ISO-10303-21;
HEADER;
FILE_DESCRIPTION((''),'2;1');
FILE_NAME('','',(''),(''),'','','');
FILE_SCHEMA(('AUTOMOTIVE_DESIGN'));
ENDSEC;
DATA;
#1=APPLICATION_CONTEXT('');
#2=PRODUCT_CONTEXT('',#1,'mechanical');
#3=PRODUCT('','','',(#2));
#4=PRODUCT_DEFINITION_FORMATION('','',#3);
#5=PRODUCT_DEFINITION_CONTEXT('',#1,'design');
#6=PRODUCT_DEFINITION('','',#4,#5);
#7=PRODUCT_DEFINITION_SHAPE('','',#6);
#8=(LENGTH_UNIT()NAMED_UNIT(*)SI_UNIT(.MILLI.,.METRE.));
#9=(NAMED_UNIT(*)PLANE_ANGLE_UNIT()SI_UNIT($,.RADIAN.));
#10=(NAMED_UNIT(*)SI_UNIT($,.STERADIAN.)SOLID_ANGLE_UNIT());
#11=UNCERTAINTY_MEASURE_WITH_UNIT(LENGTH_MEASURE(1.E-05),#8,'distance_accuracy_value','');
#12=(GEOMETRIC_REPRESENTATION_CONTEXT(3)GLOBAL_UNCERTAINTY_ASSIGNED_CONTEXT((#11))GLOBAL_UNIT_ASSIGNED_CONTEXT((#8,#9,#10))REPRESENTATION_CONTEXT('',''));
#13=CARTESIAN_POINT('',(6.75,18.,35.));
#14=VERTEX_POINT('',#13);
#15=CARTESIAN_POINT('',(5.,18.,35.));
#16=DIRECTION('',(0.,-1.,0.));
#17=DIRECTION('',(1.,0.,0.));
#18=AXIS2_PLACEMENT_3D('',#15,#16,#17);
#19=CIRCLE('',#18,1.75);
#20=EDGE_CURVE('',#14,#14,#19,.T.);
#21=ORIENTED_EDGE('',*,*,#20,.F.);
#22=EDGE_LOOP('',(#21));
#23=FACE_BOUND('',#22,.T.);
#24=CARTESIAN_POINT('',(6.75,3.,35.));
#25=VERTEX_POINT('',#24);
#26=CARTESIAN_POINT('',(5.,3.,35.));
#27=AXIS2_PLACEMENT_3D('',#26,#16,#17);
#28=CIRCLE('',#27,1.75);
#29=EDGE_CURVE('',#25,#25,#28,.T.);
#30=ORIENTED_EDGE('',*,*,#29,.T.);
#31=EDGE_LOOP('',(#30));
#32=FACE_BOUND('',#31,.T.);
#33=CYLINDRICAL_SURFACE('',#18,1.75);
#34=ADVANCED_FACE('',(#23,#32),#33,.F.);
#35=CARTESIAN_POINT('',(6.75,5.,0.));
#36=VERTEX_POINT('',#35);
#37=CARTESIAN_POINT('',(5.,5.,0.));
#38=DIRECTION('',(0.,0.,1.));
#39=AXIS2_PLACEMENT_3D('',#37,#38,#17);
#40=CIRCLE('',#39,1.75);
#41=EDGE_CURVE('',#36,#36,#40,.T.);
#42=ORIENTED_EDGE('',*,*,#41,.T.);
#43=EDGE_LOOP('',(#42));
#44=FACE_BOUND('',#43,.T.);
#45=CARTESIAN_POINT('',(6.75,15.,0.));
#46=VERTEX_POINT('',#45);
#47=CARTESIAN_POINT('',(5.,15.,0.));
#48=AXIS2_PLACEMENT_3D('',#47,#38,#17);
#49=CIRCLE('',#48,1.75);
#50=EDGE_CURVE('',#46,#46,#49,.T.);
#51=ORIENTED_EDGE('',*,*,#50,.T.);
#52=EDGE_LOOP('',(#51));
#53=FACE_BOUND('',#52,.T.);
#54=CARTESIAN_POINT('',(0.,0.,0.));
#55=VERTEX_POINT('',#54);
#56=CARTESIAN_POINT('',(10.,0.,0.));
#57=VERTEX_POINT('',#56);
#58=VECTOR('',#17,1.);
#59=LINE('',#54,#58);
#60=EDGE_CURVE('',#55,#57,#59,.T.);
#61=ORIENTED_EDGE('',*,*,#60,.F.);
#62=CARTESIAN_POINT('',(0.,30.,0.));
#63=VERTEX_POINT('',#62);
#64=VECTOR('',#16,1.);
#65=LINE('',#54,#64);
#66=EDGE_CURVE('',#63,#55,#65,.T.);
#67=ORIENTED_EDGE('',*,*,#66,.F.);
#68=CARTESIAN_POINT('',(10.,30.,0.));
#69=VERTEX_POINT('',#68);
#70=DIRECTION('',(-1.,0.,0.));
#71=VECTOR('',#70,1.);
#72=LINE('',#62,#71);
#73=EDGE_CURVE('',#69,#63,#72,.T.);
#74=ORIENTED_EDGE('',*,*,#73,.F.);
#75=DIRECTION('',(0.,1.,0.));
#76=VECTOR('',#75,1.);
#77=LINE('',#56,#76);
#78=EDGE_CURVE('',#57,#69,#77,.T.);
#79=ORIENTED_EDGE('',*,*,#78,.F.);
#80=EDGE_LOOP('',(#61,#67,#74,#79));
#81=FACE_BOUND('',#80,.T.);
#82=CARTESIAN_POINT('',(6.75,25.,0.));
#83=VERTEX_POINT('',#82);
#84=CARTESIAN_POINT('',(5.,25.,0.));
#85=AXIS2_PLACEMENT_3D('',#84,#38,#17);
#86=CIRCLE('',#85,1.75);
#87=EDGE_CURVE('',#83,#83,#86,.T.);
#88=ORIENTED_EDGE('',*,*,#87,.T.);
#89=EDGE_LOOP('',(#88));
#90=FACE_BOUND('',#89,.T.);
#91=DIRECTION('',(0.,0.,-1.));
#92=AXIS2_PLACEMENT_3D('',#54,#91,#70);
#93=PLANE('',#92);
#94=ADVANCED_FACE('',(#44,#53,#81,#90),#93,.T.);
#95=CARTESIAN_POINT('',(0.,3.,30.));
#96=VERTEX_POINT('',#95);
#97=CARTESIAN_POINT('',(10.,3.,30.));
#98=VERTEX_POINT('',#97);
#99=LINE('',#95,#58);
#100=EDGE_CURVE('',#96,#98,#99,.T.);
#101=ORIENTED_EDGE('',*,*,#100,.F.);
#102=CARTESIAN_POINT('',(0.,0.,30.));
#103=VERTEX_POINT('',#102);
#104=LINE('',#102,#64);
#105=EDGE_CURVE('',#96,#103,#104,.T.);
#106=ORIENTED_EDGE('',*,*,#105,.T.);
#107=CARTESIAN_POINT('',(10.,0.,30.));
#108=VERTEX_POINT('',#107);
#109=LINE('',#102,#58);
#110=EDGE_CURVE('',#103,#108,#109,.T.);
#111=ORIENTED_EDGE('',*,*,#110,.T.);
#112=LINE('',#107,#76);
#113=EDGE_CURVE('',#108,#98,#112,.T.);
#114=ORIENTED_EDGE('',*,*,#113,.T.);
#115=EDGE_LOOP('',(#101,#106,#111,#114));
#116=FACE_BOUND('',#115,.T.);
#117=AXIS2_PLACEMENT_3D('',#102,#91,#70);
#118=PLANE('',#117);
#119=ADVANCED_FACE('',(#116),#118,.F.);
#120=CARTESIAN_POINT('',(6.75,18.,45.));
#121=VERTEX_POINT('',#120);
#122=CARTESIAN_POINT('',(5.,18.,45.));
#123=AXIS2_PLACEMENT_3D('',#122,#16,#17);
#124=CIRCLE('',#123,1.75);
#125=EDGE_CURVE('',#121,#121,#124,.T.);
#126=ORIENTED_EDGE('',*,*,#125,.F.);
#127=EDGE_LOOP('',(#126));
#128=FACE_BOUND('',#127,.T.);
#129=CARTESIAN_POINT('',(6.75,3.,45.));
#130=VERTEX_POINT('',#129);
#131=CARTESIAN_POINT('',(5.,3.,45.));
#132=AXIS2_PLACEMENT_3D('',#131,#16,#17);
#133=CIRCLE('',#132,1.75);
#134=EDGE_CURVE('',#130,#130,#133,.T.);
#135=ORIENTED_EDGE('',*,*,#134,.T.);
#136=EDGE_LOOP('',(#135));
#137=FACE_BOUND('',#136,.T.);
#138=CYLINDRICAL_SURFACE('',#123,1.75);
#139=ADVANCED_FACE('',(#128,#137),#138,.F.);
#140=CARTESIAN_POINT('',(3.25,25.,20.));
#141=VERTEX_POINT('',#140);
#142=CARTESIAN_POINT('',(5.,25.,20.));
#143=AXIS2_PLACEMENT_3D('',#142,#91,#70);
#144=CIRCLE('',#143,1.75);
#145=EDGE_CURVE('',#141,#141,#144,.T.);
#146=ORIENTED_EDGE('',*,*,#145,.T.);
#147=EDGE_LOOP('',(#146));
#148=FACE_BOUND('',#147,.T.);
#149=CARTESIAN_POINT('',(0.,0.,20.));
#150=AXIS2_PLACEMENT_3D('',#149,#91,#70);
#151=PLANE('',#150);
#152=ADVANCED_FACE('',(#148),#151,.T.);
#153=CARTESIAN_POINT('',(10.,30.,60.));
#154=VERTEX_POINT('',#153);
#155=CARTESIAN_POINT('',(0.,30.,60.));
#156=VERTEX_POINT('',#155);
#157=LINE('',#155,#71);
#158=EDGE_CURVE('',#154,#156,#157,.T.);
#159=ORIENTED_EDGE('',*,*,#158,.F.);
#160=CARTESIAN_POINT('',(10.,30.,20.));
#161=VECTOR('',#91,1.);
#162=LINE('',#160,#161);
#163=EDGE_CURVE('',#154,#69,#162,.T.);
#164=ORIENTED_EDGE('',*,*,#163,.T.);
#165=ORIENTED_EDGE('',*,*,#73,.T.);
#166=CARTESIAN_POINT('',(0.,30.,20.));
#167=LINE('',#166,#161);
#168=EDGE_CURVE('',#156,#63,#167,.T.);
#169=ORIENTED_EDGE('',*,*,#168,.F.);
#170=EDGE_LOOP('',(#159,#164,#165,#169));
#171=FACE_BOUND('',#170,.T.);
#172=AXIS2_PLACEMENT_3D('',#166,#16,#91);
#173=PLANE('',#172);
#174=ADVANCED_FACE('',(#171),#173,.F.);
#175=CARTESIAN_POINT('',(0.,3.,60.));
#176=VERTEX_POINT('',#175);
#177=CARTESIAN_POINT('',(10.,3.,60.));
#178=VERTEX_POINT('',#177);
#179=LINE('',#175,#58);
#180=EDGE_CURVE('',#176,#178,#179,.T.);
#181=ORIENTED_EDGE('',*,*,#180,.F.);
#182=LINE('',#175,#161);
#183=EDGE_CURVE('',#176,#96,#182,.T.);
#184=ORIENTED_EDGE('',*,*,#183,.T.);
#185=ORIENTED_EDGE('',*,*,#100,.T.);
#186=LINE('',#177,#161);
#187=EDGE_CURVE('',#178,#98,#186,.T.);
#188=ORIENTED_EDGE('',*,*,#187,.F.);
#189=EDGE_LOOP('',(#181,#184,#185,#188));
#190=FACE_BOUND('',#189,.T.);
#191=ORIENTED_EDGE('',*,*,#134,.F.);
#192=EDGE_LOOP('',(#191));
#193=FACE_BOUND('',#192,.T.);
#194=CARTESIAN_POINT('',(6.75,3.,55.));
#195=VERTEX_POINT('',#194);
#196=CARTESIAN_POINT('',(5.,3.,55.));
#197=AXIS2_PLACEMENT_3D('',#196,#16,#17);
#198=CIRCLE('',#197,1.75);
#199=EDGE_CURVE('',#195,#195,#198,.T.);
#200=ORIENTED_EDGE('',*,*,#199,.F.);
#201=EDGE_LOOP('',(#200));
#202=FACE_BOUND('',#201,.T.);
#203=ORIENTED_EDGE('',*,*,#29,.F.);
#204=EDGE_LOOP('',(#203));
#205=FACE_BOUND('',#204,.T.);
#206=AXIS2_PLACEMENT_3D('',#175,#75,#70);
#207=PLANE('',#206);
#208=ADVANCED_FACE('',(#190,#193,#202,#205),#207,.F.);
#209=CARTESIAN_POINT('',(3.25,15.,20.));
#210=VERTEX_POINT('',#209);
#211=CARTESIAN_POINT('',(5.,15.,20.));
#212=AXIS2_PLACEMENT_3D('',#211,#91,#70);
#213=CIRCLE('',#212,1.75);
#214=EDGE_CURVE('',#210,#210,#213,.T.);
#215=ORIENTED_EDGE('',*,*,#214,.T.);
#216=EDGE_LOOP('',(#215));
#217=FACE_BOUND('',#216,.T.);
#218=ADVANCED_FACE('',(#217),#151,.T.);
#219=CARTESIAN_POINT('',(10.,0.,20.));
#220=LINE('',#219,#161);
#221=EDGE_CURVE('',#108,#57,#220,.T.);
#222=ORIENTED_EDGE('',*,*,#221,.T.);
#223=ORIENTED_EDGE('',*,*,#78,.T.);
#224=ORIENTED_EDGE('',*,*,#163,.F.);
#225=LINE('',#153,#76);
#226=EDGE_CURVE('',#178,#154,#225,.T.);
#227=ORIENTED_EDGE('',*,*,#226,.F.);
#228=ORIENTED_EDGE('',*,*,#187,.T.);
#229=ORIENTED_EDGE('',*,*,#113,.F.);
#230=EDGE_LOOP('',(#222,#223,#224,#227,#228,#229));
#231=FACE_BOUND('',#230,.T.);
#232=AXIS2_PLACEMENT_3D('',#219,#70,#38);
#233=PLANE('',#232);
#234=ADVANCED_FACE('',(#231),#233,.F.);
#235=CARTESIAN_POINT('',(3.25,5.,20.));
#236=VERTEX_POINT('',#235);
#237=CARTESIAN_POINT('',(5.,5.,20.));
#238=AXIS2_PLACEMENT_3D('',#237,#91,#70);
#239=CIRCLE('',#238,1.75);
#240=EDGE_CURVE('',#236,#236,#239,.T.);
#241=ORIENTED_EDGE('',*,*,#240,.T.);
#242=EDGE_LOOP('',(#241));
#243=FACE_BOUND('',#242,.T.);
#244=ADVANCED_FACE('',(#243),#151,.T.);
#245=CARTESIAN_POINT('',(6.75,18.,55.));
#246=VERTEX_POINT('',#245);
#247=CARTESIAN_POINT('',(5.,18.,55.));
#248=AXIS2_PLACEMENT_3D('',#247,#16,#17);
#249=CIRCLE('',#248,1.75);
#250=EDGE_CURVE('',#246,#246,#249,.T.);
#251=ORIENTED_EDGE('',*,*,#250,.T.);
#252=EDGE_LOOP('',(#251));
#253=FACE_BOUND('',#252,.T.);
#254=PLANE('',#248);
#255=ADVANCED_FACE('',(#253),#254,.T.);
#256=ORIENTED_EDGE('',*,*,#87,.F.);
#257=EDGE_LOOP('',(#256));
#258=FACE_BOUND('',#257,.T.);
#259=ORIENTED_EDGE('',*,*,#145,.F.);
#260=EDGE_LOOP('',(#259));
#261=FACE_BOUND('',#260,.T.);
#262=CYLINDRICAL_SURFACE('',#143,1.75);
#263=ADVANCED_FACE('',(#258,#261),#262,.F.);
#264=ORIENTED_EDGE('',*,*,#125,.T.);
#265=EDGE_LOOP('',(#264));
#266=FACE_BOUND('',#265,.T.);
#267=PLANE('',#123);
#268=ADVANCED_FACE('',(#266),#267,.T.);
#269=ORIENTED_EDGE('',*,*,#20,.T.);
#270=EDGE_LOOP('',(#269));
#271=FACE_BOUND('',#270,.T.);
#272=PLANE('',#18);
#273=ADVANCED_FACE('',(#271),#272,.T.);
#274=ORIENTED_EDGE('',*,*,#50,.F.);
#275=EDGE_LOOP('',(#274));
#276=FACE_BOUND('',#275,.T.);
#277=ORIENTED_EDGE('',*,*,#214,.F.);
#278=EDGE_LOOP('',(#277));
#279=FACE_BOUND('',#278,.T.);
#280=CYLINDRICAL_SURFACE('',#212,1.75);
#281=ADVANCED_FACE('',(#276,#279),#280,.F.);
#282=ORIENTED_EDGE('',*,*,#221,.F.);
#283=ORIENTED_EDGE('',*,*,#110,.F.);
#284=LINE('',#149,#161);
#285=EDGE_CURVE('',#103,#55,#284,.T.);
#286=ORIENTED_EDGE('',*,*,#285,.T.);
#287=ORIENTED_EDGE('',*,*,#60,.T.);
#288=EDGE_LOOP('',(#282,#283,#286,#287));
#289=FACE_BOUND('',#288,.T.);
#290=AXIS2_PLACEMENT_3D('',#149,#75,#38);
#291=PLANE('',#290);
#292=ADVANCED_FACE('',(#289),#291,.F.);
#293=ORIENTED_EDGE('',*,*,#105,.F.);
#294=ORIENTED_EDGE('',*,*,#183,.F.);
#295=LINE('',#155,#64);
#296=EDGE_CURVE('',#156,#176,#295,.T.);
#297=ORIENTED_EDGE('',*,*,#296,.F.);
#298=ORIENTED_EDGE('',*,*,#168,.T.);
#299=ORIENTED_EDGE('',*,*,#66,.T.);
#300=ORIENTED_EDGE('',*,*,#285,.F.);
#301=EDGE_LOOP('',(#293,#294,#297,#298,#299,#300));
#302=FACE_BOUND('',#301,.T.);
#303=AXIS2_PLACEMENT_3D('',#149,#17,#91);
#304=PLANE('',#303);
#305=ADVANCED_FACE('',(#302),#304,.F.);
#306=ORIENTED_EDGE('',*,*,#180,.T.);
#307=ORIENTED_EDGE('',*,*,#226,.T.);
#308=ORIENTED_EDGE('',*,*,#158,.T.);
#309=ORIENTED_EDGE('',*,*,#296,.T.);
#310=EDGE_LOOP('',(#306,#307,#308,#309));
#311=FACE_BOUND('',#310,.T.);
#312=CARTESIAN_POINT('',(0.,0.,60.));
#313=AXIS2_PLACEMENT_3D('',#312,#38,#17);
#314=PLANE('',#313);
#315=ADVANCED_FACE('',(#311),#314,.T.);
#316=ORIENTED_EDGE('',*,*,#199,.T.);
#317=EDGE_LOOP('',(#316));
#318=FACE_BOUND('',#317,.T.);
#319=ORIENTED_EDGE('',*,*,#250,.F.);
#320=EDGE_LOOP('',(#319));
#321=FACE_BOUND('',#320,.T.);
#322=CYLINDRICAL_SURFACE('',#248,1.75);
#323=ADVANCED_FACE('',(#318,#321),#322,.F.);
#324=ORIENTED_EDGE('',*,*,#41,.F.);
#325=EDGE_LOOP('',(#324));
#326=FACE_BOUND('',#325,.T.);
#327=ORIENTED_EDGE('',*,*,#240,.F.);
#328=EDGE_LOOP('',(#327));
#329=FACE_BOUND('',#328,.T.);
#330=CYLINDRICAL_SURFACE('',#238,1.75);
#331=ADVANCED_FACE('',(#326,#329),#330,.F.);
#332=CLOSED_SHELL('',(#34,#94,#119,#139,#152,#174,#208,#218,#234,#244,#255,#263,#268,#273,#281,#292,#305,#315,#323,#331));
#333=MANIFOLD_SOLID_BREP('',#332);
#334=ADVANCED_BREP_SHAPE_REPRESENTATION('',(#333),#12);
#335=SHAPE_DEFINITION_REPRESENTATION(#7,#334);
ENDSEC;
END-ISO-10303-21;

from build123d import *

# Parameters (mm, degrees)
ESQUISSE1_W             = 10
ESQUISSE1_H             = 30
ESQUISSE1_R             = 1.75
BOSS_EXTRU_1_DEPTH      = 20
ESQUISSE2_W             = 10
ESQUISSE2_H             = 30
BOSS_EXTRU_2_DEPTH      = 10
ESQUISSE3_W             = 10
ESQUISSE3_H             = 27
BOSS_EXTRU_3_DEPTH      = 30
ESQUISSE4_R             = 1.75
ENL_V_MAT_EXTRU_1_DEPTH = 15


with BuildPart() as part:
    # Esquisse1 → Boss.-Extru.1 (new body)
    with BuildSketch(Plane.XY):
        with Locations((5, 15)):
            Rectangle(ESQUISSE1_W, ESQUISSE1_H)
        with Locations((5, 5)):
            Circle(ESQUISSE1_R, mode=Mode.SUBTRACT)
        with Locations((5, 15)):
            Circle(ESQUISSE1_R, mode=Mode.SUBTRACT)
        with Locations((5, 25)):
            Circle(ESQUISSE1_R, mode=Mode.SUBTRACT)
    extrude(amount=BOSS_EXTRU_1_DEPTH)

    # Esquisse2 → Boss.-Extru.2 (add)
    with BuildSketch(Plane.XY.offset(20)):
        with Locations((5, 15)):
            Rectangle(ESQUISSE2_W, ESQUISSE2_H)
    extrude(amount=BOSS_EXTRU_2_DEPTH)

    # Esquisse3 → Boss.-Extru.3 (add)
    with BuildSketch(Plane.XY.offset(30)):
        with Locations((5, 16.5)):
            Rectangle(ESQUISSE3_W, ESQUISSE3_H)
    extrude(amount=BOSS_EXTRU_3_DEPTH)

    # Esquisse4 → Enlèv. mat.-Extru.1 (cut)
    with BuildSketch(Plane(origin=(0, 3, 0), x_dir=(-1, 0, 0), z_dir=(0, -1, 0))):
        with Locations(Location((-5, -55, 0), (0, 0, 180))):
            Circle(ESQUISSE4_R)
        with Locations(Location((-5, -45, 0), (0, 0, 180))):
            Circle(ESQUISSE4_R)
        with Locations(Location((-5, -35, 0), (0, 0, 180))):
            Circle(ESQUISSE4_R)
    extrude(amount=-ENL_V_MAT_EXTRU_1_DEPTH, mode=Mode.SUBTRACT)


solid = part.part
